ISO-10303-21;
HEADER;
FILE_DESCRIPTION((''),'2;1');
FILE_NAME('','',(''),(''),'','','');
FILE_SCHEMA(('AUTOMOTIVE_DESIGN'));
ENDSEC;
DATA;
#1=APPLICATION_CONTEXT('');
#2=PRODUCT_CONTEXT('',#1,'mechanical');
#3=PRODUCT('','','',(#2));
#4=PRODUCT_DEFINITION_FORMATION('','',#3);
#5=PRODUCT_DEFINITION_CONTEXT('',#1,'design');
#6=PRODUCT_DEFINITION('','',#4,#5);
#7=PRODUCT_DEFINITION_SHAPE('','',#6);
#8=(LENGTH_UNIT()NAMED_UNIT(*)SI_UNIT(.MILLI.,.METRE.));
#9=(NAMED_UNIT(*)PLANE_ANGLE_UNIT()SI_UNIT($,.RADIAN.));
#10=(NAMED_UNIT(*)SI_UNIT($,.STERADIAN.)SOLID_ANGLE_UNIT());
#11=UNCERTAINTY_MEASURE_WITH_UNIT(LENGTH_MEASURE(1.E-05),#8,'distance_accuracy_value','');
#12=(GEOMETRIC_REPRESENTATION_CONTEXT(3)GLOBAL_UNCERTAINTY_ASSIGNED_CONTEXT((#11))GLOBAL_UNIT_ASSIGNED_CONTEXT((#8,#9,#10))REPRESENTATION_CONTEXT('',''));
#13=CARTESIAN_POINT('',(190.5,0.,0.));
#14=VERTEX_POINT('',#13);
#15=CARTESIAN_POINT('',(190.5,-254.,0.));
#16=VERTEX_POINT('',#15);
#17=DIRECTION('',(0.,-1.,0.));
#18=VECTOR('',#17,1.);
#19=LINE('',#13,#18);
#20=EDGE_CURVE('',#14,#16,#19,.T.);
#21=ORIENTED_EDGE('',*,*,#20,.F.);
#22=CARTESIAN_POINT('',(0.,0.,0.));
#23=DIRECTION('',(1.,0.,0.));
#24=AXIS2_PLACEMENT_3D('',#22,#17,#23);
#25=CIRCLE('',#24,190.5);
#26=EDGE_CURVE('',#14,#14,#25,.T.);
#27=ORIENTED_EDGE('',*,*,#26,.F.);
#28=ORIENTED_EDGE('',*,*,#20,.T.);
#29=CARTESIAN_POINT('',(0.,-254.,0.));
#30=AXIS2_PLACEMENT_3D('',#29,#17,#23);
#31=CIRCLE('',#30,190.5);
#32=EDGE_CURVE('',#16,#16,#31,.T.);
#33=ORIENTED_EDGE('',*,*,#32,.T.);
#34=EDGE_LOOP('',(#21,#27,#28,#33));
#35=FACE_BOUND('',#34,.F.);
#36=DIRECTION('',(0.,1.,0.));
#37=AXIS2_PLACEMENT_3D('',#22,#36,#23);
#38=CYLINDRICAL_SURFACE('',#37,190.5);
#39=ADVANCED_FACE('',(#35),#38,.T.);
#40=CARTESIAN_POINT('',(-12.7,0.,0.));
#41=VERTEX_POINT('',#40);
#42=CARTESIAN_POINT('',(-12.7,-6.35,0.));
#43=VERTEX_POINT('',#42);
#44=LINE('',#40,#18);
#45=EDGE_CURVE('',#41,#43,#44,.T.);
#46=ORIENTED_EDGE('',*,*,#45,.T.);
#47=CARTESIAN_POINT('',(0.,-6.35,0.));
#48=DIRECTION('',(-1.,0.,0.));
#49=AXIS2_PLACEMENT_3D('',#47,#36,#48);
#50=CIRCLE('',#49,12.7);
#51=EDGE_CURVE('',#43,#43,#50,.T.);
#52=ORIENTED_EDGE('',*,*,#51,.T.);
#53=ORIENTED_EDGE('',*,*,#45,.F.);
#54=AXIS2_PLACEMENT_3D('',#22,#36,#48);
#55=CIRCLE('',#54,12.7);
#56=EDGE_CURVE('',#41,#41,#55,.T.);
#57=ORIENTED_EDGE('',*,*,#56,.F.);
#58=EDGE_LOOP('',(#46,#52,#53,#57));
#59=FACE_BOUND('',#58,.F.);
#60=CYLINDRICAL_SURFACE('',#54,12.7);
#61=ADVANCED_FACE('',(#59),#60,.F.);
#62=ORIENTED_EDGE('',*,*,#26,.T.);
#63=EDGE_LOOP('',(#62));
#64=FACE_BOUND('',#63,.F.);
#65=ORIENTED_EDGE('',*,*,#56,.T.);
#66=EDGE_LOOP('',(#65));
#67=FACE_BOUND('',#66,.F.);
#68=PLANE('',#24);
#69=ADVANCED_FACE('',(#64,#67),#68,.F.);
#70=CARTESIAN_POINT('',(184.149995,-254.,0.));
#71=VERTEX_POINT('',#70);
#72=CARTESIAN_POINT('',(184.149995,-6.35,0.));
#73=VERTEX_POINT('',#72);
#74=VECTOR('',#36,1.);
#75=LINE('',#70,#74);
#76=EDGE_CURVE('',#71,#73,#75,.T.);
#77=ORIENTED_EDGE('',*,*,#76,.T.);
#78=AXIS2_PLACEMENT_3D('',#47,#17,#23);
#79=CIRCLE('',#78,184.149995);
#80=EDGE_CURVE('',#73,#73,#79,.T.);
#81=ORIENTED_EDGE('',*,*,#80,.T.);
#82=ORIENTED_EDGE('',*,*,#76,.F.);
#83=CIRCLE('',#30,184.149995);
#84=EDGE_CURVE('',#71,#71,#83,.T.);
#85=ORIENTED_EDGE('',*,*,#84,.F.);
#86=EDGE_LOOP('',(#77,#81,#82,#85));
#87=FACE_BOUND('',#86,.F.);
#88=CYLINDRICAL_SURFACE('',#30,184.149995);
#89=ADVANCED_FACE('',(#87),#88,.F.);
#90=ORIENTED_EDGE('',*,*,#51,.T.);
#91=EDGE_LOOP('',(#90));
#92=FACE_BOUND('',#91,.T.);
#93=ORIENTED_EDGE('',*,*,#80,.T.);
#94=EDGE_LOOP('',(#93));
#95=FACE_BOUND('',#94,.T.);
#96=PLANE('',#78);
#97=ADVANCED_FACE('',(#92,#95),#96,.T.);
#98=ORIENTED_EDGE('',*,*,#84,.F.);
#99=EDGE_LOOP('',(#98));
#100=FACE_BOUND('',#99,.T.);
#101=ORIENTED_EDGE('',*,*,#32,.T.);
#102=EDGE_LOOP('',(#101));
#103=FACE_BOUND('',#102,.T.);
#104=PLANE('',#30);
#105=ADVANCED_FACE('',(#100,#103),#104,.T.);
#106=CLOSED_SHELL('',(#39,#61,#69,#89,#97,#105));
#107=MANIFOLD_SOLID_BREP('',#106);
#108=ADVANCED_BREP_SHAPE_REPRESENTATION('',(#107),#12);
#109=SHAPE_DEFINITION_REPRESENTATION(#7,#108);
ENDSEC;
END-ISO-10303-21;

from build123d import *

# Parameters (mm, degrees)
F0_R     = 190.5
F1_DEPTH = 254
F2_R     = 184.149995
F3_DEPTH = 247.65
F4_R     = 12.7
F5_DEPTH = 254.001


with BuildPart() as f1:
    # F0 (on Front) → F1 (new body)
    with BuildSketch(Plane.XZ):
        Circle(F0_R)
    extrude(amount=F1_DEPTH)

    # F2 (on face) → F3 (cut)
    with BuildSketch(Plane.XZ.offset(254)):
        Circle(F2_R)
    extrude(amount=-F3_DEPTH, mode=Mode.SUBTRACT)

    # F4 (on face) → F5 (cut, through all)
    with BuildSketch(Plane(origin=(0, 0, 0), x_dir=(-1, 0, 0), z_dir=(0, 1, 0))):
        Circle(F4_R)
    extrude(amount=-F5_DEPTH, mode=Mode.SUBTRACT)


solid = f1.part
